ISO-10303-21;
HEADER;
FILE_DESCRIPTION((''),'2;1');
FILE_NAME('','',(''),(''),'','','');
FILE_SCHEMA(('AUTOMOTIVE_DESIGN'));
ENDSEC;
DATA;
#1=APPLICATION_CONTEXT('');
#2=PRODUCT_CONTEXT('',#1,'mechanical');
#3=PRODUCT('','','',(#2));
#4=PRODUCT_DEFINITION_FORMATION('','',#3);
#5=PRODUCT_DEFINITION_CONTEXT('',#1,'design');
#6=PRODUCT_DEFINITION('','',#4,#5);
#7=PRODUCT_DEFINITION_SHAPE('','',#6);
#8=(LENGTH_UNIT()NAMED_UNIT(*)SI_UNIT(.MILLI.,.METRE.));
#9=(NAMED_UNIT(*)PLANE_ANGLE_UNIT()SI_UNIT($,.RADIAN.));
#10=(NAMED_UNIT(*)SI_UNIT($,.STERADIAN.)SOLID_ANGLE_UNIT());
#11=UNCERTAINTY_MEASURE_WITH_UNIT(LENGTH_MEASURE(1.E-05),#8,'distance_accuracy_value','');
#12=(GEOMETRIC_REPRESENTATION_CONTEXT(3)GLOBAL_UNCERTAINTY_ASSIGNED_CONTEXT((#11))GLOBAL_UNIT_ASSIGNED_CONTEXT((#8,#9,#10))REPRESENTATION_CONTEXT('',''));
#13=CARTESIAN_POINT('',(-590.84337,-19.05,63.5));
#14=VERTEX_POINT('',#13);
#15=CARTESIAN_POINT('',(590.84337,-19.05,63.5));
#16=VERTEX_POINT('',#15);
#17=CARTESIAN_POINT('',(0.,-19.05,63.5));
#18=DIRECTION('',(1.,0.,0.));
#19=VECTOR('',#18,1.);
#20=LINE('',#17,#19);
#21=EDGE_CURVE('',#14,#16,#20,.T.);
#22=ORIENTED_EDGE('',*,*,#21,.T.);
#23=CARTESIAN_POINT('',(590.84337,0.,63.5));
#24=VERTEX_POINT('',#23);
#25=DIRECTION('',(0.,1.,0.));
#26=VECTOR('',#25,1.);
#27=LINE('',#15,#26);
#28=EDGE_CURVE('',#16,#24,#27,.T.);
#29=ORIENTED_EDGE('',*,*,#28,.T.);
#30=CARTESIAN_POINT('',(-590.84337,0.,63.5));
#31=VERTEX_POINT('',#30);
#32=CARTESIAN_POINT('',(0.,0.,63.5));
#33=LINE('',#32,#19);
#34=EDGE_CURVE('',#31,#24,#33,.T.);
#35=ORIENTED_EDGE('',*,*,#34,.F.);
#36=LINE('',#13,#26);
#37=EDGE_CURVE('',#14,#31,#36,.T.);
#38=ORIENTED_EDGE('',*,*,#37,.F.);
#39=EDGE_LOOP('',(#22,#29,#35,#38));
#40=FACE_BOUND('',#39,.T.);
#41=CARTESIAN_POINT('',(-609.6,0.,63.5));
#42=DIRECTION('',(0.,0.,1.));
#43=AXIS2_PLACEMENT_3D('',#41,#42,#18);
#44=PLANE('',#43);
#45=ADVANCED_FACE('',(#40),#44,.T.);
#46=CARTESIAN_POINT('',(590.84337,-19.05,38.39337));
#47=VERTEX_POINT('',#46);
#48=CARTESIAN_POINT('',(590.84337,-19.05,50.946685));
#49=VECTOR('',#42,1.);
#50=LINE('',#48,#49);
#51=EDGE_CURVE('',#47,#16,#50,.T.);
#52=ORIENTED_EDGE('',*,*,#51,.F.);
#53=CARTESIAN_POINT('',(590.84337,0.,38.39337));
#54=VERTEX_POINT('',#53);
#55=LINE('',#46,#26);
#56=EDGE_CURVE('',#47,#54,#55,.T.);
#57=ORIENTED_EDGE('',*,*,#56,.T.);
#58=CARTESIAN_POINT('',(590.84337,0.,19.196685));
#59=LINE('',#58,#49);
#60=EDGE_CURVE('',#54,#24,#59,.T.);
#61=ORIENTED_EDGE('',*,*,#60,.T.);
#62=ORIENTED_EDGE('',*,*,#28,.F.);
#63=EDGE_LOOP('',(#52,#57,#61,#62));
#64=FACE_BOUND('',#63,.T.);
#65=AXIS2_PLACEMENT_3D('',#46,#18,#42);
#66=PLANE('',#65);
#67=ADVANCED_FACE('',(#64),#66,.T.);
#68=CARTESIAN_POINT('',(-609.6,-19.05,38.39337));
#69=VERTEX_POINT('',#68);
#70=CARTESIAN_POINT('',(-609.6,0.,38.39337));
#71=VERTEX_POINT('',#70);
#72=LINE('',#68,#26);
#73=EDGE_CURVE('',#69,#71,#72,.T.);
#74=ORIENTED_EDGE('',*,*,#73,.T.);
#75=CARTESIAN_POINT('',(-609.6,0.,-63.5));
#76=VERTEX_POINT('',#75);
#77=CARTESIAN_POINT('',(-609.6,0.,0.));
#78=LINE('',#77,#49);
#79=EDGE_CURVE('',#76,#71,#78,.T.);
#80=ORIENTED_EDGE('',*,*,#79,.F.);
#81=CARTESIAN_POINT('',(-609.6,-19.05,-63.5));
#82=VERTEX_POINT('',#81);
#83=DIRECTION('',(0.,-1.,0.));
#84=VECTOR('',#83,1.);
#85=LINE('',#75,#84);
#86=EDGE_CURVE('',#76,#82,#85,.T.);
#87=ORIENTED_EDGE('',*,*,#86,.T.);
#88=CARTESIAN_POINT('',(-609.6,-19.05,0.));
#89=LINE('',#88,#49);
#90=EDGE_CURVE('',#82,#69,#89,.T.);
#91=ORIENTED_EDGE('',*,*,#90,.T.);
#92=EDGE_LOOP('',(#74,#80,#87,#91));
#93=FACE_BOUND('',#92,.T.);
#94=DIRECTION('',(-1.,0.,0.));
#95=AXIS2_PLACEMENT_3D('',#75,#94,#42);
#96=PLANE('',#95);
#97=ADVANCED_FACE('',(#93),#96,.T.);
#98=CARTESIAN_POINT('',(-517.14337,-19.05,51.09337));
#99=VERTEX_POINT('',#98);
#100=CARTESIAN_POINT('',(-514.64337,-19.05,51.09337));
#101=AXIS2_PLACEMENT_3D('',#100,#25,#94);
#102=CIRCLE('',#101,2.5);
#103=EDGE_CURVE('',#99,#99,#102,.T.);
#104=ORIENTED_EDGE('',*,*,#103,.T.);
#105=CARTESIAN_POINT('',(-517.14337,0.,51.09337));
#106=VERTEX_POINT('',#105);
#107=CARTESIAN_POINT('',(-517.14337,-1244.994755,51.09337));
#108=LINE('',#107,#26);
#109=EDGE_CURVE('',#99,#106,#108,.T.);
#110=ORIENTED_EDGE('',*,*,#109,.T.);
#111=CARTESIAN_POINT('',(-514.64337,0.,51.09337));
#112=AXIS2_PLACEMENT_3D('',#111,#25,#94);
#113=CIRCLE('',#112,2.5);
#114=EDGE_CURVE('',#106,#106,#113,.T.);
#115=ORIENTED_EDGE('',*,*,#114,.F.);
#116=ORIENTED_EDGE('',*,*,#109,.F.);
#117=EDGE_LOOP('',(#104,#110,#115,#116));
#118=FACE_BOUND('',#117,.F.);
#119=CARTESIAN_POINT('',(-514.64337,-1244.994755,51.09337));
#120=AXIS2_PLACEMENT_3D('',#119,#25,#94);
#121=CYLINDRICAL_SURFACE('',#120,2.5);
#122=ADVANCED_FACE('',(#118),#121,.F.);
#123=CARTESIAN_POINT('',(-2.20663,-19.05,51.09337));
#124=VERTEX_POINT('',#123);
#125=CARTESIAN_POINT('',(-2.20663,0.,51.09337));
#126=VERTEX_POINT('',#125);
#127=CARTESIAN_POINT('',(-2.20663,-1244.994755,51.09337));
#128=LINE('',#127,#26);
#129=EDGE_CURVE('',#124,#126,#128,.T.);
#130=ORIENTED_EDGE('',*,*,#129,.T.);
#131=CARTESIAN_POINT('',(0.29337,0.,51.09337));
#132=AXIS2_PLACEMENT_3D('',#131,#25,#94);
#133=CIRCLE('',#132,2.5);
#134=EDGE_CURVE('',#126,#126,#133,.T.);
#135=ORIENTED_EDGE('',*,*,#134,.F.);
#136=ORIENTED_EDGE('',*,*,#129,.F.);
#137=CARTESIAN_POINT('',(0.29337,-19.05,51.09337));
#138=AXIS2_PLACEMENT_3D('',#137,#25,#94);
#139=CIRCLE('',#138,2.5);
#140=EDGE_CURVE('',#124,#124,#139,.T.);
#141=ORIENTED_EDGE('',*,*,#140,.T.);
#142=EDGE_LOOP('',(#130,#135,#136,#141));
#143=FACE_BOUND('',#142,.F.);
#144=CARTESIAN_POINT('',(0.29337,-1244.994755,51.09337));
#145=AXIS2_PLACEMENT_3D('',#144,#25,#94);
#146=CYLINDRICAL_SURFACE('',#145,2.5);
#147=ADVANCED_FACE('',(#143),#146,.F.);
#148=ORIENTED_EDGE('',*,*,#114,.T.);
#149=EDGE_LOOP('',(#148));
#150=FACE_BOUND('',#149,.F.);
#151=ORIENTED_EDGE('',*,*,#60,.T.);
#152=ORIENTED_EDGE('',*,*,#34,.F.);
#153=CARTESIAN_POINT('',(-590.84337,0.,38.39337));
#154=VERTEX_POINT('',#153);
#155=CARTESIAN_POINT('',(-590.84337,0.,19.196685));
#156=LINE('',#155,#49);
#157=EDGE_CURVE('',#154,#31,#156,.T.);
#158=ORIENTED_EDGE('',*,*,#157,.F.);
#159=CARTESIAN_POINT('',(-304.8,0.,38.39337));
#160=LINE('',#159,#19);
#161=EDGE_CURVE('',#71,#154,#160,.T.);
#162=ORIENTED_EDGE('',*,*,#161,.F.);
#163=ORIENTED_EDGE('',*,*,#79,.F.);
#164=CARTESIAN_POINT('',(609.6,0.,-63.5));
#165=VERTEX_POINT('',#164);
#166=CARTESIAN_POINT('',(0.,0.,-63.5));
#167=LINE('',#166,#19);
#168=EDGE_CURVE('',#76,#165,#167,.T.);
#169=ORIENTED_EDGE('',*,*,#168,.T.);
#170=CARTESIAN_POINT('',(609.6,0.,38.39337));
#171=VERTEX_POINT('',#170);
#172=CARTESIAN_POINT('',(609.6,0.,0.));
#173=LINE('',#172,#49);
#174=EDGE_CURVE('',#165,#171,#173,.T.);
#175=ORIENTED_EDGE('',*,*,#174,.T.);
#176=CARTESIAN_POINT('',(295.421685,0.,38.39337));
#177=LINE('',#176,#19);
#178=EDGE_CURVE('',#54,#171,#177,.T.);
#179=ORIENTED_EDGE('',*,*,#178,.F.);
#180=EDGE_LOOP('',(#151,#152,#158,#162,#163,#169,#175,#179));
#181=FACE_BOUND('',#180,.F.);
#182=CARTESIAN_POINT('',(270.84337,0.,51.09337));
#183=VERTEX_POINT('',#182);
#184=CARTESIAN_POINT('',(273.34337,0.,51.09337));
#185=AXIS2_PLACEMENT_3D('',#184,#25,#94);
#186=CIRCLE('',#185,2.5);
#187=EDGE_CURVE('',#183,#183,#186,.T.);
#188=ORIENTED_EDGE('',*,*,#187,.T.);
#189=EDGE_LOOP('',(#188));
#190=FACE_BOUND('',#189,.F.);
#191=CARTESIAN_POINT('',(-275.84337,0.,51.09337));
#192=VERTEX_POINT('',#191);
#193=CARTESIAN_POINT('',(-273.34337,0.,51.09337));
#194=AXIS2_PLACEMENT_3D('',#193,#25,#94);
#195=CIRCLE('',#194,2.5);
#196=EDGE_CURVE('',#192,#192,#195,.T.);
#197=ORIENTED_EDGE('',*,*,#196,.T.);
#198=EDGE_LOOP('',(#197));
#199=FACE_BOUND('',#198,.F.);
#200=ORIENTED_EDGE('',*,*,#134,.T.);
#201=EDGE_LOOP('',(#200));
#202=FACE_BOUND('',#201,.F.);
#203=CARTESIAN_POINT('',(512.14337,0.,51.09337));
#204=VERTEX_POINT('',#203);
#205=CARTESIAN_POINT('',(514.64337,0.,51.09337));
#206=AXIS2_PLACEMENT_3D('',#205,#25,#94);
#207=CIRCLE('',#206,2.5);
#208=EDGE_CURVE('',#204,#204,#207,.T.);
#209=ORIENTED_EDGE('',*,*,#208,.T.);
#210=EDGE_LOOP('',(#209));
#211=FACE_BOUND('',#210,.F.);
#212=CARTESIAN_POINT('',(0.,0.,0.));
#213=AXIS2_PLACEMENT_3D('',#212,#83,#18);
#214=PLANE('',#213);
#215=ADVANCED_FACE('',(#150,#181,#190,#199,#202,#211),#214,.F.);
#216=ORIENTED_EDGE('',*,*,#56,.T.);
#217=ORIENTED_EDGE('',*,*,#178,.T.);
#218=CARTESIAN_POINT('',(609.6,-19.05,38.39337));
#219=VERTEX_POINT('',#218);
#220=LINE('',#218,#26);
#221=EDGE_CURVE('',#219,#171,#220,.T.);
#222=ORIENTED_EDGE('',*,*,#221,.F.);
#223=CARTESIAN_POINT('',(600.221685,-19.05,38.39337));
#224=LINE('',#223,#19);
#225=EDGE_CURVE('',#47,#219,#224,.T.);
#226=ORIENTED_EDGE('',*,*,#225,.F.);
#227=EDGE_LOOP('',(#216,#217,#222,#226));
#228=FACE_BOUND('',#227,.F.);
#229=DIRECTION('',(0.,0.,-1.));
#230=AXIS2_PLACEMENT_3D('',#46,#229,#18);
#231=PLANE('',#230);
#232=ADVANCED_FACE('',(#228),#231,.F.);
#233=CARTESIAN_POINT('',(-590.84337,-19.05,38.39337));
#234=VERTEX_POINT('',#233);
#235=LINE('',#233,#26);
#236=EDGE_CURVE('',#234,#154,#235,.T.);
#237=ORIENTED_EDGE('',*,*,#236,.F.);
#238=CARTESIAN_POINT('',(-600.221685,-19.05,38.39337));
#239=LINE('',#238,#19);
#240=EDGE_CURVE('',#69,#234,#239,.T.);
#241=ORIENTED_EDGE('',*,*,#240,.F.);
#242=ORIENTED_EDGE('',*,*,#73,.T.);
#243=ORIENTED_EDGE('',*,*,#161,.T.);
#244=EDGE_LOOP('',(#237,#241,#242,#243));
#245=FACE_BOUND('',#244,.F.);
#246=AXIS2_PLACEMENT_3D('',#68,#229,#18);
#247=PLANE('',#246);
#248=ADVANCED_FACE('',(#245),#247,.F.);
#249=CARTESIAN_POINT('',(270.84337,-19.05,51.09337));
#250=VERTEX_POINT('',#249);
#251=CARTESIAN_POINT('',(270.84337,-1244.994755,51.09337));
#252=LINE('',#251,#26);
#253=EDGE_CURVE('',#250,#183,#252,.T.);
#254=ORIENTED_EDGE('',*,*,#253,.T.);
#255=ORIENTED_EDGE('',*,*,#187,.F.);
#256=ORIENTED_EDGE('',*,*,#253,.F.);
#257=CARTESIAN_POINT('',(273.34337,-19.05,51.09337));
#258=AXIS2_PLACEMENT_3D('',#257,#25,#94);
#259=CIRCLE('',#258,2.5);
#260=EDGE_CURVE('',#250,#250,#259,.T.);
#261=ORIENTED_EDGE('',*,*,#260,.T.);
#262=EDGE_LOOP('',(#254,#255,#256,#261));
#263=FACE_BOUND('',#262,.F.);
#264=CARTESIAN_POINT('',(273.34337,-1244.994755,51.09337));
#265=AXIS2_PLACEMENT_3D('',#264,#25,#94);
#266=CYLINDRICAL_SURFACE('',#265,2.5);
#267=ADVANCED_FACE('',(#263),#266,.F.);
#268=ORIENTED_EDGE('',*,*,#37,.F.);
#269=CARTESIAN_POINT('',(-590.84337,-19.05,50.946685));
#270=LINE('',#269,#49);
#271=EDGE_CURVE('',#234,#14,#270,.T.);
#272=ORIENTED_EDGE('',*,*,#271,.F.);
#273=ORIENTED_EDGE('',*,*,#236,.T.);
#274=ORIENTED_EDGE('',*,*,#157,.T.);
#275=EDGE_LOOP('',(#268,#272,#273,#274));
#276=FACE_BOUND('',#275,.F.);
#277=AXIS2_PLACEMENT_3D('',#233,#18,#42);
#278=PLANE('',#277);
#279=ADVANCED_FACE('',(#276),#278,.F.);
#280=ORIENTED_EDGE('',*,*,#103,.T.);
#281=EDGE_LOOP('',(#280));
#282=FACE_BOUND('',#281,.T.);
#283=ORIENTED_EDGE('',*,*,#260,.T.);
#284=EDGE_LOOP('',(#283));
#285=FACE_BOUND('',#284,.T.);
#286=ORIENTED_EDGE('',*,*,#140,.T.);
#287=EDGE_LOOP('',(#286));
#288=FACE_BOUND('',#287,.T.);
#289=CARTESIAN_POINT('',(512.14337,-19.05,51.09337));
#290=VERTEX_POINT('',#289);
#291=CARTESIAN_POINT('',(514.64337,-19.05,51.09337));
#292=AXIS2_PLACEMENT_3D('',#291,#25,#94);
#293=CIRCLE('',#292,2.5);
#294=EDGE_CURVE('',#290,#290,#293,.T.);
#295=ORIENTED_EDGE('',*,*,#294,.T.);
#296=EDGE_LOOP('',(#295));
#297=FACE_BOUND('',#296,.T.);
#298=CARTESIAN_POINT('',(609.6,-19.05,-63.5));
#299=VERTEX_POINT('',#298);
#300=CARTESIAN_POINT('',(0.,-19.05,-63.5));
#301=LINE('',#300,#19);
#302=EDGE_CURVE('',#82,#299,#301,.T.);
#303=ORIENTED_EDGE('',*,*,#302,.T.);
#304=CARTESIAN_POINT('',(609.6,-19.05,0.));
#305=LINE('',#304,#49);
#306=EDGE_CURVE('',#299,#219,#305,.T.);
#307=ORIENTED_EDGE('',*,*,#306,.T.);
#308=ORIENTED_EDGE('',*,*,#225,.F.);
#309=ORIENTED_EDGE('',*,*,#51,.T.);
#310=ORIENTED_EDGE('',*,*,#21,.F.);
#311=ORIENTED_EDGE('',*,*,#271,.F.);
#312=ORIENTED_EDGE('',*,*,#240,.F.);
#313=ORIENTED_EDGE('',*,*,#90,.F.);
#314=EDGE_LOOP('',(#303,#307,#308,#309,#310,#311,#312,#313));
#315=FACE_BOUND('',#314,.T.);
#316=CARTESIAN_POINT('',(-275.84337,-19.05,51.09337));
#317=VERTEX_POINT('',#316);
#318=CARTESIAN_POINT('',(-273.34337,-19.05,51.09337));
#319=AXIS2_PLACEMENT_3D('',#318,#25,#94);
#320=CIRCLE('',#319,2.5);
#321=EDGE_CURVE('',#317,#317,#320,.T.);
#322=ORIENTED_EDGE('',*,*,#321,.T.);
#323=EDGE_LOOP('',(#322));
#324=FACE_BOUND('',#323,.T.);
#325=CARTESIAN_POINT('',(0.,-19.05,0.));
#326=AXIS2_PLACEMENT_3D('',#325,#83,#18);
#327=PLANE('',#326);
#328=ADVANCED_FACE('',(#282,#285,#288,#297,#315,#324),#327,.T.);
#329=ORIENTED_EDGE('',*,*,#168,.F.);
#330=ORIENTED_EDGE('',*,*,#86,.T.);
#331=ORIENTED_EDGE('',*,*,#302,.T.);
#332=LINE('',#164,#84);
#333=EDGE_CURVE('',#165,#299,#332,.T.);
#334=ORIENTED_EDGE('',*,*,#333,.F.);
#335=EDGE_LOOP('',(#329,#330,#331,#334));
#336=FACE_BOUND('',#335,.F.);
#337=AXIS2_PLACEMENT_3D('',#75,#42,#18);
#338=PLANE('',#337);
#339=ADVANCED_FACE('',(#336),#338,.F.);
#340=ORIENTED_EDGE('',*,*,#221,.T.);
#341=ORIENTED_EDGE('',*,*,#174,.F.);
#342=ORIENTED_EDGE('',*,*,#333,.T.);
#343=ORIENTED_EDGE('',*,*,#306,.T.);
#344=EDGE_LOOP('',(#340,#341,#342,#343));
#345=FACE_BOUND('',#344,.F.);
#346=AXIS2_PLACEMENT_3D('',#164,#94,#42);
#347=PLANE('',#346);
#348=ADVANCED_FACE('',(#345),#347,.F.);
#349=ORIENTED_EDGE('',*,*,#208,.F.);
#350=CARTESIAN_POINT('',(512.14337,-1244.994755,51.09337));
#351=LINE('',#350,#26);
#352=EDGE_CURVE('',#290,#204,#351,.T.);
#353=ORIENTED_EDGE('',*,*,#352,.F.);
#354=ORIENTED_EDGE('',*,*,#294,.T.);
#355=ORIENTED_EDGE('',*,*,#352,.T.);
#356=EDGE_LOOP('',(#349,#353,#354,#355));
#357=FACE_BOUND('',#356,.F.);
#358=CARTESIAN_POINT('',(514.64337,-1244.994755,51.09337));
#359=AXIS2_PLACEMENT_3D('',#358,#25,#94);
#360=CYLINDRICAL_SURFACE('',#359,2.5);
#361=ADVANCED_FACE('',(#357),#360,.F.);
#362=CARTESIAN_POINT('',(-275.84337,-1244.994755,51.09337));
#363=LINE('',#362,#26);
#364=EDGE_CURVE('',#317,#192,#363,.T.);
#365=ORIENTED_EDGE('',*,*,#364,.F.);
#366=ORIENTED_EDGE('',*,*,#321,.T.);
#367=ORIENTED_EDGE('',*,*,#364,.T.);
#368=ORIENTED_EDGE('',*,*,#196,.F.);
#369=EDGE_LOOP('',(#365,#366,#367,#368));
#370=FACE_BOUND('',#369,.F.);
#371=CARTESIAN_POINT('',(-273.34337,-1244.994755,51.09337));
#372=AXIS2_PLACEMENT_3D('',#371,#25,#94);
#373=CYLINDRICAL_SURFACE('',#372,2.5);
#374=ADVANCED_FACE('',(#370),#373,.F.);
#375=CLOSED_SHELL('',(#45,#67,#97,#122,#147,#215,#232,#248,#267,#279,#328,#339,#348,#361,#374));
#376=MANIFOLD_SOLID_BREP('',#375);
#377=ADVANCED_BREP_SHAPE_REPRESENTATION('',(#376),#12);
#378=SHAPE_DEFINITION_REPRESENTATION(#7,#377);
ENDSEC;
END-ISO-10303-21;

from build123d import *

# Parameters (mm, degrees)
F0_W     = 1219.2
F0_H     = 127
F1_DEPTH = 19.05
F2_W     = 18.75663
F2_H     = 25.10663
F3_DEPTH = 19.051
F5_D     = 5


with BuildPart() as f1:
    # F0 (on Front) → F1 (new body)
    with BuildSketch(Plane.XZ):
        Rectangle(F0_W, F0_H)
    extrude(amount=F1_DEPTH)

    # F2 (on face) → F3 (cut, through all)
    with BuildSketch(Plane.XZ.offset(19.05)):
        with Locations((-600.221685, 50.946685)):
            Rectangle(F2_W, F2_H)
        with Locations((600.221685, 50.946685)):
            Rectangle(F2_W, F2_H)
    extrude(amount=-F3_DEPTH, mode=Mode.SUBTRACT)

    # F5 (through all)
    with Locations(Plane.XZ.offset(19.05)):
        with Locations((-514.64337, 51.09337), (-273.34337, 51.09337), (0.29337, 51.09337), (273.34337, 51.09337), (514.64337, 51.09337)):
            Hole(F5_D / 2)


solid = f1.part
